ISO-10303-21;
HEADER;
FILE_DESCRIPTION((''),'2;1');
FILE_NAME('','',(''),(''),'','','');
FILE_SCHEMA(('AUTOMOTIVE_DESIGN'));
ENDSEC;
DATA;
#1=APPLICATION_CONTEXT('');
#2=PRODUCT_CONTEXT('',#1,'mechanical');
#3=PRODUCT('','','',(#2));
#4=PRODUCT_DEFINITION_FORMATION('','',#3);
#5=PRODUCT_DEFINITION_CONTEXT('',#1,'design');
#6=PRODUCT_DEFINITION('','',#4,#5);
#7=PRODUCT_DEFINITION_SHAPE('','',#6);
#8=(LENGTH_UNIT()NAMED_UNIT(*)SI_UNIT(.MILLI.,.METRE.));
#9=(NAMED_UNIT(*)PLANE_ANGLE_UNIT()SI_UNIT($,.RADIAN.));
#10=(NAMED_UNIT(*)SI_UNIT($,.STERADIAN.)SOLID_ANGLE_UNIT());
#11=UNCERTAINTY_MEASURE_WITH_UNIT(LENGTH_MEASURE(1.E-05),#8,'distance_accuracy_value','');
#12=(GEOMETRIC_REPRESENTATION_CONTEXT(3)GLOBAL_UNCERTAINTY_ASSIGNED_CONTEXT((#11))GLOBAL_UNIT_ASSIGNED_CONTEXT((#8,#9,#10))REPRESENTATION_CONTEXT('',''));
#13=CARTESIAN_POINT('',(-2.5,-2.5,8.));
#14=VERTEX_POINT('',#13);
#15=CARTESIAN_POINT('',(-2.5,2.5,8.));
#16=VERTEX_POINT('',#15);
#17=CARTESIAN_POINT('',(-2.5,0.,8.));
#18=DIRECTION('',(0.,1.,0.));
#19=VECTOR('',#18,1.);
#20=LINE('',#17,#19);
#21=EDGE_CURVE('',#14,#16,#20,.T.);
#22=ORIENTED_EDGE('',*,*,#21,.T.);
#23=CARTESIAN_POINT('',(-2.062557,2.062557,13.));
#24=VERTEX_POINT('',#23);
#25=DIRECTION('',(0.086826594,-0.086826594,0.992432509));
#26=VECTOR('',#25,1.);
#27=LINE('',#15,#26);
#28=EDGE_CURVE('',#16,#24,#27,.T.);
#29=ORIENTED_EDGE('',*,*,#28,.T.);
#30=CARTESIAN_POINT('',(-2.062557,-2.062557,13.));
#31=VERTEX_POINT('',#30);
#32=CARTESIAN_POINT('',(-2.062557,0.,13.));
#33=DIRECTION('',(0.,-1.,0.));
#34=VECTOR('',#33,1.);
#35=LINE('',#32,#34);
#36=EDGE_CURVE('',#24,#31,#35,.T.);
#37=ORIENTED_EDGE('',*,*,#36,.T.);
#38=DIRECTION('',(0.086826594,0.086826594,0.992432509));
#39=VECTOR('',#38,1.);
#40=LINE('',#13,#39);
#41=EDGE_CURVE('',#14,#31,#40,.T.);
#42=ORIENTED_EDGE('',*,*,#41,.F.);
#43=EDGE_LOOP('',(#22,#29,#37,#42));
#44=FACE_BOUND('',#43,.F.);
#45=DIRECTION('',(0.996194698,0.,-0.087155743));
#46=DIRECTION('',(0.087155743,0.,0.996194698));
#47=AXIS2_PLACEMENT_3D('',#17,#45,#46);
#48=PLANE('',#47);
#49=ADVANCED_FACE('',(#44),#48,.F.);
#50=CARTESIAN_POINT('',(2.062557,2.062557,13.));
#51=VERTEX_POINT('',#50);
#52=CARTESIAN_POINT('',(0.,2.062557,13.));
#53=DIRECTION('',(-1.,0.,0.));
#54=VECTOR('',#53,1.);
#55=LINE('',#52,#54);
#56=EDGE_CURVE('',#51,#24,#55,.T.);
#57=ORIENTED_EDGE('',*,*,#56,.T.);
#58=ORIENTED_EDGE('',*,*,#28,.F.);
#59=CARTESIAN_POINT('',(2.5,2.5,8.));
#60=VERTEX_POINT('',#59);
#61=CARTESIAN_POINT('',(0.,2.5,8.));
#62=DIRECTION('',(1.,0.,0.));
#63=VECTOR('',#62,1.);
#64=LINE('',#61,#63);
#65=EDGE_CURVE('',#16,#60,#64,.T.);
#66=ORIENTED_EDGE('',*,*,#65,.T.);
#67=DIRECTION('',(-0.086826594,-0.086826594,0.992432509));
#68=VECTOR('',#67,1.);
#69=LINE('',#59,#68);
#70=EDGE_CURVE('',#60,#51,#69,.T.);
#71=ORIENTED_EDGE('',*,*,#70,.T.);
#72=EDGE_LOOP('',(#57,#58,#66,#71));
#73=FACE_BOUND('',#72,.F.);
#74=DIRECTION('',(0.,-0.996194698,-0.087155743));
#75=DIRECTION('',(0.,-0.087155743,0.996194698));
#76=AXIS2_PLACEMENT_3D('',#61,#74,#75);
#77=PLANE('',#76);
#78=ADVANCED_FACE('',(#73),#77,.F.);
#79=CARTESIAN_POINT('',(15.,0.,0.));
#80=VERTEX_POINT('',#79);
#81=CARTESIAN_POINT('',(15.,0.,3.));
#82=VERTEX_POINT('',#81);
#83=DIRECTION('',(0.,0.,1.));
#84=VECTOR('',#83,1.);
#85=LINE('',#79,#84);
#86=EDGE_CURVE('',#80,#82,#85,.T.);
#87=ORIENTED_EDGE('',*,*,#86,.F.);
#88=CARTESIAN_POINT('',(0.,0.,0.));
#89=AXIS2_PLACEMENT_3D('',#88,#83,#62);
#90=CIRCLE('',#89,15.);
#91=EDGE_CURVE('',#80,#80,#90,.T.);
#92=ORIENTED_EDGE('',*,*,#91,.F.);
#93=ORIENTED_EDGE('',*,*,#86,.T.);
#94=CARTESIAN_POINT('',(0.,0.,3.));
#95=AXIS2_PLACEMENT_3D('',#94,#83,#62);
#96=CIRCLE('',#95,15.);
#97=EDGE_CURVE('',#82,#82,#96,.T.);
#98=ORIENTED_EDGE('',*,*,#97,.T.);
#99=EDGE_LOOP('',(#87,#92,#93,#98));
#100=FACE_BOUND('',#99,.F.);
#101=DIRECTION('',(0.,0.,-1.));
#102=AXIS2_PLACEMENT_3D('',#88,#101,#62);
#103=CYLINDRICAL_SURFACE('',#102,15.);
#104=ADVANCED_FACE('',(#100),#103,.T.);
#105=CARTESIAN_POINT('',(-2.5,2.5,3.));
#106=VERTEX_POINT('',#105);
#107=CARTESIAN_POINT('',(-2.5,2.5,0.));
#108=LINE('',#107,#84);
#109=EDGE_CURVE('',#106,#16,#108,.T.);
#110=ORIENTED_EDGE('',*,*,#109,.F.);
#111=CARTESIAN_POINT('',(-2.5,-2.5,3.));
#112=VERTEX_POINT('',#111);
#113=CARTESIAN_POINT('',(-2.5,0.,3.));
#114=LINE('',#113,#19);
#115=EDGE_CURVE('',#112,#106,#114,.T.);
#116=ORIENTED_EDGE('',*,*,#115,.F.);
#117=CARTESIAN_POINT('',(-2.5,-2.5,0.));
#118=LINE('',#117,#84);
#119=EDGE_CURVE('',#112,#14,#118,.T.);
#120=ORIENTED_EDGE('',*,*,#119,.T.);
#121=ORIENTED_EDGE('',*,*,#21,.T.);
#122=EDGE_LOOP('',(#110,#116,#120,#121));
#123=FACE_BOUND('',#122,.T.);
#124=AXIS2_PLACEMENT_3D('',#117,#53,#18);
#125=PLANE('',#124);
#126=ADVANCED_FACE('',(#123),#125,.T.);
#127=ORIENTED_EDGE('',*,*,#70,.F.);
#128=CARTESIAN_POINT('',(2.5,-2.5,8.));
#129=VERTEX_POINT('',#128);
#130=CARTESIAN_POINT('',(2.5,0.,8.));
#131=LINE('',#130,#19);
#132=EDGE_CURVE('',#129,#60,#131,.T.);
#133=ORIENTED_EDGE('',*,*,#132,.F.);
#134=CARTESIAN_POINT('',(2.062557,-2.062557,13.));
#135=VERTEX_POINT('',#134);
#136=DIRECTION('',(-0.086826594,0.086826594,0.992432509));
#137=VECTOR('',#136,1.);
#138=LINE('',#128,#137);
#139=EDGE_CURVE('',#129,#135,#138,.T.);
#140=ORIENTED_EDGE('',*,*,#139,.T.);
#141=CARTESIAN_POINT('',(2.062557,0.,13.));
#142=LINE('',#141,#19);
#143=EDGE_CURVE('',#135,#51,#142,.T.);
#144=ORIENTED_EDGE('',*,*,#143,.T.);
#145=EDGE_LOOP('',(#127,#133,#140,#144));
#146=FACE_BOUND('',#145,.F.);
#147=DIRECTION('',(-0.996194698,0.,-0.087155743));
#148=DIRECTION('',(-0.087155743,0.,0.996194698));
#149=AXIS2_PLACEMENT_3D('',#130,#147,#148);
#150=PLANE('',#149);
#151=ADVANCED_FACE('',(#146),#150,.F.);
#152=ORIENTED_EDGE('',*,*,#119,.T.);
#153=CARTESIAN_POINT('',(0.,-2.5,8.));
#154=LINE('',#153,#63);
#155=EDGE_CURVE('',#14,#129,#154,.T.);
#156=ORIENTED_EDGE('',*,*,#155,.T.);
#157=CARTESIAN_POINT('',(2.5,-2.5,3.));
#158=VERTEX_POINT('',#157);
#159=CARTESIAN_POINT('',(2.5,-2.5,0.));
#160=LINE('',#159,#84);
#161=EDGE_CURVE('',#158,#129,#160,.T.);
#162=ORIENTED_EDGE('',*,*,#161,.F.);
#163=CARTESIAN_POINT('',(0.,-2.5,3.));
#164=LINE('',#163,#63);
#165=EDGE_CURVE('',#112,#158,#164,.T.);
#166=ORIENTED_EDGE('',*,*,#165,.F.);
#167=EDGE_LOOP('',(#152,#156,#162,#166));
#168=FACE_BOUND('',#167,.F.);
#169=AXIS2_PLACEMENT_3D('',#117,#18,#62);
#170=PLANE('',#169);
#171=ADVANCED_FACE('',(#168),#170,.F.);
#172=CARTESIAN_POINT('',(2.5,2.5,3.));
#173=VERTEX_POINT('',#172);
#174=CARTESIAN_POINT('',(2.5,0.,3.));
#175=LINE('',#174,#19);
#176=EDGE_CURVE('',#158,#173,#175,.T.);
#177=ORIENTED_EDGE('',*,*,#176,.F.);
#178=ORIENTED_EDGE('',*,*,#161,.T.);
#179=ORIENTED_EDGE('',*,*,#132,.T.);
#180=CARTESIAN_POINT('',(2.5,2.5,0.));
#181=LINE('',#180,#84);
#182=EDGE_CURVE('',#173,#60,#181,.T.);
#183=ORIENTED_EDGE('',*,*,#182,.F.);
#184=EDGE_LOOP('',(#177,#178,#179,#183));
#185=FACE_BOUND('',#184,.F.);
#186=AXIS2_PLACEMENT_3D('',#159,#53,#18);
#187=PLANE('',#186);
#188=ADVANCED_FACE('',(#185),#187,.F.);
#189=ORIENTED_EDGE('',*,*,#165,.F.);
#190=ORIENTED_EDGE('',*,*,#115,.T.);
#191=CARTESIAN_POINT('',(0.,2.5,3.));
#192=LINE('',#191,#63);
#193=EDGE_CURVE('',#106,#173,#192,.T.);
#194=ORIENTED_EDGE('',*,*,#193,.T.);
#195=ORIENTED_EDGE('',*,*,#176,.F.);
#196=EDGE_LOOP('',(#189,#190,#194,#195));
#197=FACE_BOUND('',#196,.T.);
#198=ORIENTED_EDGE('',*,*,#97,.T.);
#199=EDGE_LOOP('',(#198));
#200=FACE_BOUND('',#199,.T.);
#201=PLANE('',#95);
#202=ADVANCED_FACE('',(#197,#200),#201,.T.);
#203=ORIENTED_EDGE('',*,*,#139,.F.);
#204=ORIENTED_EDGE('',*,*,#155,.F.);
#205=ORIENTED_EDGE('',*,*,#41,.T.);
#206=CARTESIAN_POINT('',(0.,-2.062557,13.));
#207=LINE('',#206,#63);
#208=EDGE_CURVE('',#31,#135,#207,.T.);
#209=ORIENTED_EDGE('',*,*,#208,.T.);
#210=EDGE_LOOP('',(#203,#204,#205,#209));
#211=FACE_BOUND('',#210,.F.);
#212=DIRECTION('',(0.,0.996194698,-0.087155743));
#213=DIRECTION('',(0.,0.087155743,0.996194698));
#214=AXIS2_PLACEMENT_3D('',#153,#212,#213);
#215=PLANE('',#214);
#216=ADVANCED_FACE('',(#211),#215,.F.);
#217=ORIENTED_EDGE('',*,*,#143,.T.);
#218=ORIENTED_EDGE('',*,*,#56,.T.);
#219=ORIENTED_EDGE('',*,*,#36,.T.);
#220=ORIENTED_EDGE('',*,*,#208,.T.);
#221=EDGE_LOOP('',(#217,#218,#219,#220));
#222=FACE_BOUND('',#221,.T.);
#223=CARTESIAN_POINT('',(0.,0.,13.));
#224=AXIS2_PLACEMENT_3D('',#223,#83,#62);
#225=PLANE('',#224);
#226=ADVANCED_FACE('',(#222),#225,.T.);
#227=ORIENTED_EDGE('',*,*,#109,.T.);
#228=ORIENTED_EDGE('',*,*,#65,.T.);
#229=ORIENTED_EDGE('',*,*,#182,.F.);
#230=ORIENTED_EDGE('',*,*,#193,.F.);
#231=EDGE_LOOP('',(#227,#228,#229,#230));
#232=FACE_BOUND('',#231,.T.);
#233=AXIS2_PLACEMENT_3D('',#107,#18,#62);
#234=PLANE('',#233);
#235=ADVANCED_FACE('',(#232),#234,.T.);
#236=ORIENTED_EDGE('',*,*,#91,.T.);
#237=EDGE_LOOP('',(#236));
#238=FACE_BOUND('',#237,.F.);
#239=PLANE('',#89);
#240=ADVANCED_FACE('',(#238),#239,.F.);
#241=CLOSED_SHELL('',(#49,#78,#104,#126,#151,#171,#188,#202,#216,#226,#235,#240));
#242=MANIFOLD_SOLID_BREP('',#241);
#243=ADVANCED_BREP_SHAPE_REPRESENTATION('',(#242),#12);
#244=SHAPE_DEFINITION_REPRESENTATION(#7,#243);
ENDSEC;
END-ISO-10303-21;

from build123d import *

# Parameters (mm, degrees)
F0_R      = 15
F0_W      = 5
F0_H      = 5
F1_DEPTH  = 3
F2_DEPTH  = 8
F2_FACE_W = 5
F2_FACE_H = 5
F3_DEPTH  = 5
F3_TAPER  = 5


with BuildPart() as f1:
    # F0 (on Top) → F1 (new body)
    with BuildSketch(Plane.XY):
        Circle(F0_R)
        Rectangle(F0_W, F0_H, mode=Mode.SUBTRACT)
    extrude(amount=F1_DEPTH)

    # F0 (on Top) → F2 (join)
    with BuildSketch(Plane.XY):
        Rectangle(F0_W, F0_H)
    extrude(amount=F2_DEPTH)

    # F2_face (on face) → F3 (join)
    with BuildSketch(Plane.XY.offset(8)):
        Rectangle(F2_FACE_W, F2_FACE_H)
    extrude(amount=F3_DEPTH, taper=F3_TAPER)


solid = f1.part
